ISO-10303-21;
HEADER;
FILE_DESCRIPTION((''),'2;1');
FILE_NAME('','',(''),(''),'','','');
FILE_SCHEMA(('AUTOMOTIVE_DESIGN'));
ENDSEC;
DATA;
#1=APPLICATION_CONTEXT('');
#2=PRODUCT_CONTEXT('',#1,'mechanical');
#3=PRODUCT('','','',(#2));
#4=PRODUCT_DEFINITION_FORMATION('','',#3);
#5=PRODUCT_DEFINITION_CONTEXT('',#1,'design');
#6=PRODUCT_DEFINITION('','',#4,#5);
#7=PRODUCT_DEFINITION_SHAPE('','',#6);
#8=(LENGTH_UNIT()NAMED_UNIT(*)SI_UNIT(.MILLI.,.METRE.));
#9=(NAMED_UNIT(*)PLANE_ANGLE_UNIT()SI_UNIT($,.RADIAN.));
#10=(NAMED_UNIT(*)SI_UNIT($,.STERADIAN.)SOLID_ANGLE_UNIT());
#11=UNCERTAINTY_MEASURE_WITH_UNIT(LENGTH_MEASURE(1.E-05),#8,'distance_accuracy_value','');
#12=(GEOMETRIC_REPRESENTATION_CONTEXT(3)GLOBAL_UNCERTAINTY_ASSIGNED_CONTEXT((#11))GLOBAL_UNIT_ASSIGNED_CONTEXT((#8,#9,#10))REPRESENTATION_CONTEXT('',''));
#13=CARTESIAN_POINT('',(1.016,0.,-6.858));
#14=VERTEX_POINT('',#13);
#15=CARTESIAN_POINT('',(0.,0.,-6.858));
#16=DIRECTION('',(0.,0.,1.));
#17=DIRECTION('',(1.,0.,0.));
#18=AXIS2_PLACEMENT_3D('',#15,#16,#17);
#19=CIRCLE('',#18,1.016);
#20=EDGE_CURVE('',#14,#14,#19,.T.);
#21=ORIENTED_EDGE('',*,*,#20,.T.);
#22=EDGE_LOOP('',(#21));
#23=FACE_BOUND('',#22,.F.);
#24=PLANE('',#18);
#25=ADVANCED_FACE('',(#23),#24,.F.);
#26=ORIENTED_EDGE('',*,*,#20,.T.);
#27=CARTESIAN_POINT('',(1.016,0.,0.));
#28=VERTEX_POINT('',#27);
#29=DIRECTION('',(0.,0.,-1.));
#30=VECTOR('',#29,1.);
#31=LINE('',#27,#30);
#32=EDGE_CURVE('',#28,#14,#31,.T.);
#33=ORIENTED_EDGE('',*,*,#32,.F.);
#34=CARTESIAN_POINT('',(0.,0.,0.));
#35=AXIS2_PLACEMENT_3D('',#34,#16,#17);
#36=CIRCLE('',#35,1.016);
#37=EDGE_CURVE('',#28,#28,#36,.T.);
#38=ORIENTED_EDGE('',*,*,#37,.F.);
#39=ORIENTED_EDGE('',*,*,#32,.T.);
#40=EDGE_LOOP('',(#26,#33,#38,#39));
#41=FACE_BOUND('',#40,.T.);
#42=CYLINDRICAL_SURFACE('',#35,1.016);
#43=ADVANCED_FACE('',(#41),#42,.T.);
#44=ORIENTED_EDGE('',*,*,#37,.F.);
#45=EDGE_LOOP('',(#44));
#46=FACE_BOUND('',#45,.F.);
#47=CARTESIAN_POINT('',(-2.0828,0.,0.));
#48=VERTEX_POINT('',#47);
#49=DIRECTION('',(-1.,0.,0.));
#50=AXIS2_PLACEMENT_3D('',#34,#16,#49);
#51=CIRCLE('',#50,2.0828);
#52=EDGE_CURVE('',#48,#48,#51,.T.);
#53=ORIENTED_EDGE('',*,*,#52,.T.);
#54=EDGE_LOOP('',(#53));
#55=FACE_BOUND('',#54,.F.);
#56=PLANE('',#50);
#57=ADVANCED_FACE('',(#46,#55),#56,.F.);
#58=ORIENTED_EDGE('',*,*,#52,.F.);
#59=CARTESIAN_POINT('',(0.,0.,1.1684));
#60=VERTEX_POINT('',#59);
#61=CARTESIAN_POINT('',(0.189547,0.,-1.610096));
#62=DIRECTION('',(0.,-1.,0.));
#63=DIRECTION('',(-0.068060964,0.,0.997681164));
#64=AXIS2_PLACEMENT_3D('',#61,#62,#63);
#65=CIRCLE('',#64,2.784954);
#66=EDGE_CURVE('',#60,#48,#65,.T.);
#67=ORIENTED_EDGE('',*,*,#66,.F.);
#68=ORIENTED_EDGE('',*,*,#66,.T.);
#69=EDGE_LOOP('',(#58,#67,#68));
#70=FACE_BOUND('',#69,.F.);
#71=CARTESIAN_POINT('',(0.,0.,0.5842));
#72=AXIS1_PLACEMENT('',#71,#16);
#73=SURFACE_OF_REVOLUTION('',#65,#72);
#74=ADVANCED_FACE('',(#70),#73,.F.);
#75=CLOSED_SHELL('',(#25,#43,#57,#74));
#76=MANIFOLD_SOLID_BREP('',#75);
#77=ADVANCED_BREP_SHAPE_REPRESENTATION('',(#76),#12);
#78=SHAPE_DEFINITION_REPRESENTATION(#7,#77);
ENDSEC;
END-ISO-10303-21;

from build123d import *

# Parameters (mm, degrees)
F0_R     = 1.016
F1_DEPTH = 6.858


with BuildPart() as f1:
    # F0 (on Top) → F1 (new body)
    with BuildSketch(Plane.XY):
        Circle(F0_R)
    extrude(amount=-F1_DEPTH)

    # F2 (on Front) → F3 (revolve)
    with BuildSketch(Plane.XZ):
        with BuildLine():
            Line((-2.0828, 0), (0, 0))
            Line((0, 0), (0, 1.1684))
            ThreePointArc((0, 1.1684), (-1.172995, 0.818782), (-2.0828, 0))
        make_face()
    revolve(axis=Axis((0, 0, 0.5842), (0, 0, 1)))


solid = f1.part
